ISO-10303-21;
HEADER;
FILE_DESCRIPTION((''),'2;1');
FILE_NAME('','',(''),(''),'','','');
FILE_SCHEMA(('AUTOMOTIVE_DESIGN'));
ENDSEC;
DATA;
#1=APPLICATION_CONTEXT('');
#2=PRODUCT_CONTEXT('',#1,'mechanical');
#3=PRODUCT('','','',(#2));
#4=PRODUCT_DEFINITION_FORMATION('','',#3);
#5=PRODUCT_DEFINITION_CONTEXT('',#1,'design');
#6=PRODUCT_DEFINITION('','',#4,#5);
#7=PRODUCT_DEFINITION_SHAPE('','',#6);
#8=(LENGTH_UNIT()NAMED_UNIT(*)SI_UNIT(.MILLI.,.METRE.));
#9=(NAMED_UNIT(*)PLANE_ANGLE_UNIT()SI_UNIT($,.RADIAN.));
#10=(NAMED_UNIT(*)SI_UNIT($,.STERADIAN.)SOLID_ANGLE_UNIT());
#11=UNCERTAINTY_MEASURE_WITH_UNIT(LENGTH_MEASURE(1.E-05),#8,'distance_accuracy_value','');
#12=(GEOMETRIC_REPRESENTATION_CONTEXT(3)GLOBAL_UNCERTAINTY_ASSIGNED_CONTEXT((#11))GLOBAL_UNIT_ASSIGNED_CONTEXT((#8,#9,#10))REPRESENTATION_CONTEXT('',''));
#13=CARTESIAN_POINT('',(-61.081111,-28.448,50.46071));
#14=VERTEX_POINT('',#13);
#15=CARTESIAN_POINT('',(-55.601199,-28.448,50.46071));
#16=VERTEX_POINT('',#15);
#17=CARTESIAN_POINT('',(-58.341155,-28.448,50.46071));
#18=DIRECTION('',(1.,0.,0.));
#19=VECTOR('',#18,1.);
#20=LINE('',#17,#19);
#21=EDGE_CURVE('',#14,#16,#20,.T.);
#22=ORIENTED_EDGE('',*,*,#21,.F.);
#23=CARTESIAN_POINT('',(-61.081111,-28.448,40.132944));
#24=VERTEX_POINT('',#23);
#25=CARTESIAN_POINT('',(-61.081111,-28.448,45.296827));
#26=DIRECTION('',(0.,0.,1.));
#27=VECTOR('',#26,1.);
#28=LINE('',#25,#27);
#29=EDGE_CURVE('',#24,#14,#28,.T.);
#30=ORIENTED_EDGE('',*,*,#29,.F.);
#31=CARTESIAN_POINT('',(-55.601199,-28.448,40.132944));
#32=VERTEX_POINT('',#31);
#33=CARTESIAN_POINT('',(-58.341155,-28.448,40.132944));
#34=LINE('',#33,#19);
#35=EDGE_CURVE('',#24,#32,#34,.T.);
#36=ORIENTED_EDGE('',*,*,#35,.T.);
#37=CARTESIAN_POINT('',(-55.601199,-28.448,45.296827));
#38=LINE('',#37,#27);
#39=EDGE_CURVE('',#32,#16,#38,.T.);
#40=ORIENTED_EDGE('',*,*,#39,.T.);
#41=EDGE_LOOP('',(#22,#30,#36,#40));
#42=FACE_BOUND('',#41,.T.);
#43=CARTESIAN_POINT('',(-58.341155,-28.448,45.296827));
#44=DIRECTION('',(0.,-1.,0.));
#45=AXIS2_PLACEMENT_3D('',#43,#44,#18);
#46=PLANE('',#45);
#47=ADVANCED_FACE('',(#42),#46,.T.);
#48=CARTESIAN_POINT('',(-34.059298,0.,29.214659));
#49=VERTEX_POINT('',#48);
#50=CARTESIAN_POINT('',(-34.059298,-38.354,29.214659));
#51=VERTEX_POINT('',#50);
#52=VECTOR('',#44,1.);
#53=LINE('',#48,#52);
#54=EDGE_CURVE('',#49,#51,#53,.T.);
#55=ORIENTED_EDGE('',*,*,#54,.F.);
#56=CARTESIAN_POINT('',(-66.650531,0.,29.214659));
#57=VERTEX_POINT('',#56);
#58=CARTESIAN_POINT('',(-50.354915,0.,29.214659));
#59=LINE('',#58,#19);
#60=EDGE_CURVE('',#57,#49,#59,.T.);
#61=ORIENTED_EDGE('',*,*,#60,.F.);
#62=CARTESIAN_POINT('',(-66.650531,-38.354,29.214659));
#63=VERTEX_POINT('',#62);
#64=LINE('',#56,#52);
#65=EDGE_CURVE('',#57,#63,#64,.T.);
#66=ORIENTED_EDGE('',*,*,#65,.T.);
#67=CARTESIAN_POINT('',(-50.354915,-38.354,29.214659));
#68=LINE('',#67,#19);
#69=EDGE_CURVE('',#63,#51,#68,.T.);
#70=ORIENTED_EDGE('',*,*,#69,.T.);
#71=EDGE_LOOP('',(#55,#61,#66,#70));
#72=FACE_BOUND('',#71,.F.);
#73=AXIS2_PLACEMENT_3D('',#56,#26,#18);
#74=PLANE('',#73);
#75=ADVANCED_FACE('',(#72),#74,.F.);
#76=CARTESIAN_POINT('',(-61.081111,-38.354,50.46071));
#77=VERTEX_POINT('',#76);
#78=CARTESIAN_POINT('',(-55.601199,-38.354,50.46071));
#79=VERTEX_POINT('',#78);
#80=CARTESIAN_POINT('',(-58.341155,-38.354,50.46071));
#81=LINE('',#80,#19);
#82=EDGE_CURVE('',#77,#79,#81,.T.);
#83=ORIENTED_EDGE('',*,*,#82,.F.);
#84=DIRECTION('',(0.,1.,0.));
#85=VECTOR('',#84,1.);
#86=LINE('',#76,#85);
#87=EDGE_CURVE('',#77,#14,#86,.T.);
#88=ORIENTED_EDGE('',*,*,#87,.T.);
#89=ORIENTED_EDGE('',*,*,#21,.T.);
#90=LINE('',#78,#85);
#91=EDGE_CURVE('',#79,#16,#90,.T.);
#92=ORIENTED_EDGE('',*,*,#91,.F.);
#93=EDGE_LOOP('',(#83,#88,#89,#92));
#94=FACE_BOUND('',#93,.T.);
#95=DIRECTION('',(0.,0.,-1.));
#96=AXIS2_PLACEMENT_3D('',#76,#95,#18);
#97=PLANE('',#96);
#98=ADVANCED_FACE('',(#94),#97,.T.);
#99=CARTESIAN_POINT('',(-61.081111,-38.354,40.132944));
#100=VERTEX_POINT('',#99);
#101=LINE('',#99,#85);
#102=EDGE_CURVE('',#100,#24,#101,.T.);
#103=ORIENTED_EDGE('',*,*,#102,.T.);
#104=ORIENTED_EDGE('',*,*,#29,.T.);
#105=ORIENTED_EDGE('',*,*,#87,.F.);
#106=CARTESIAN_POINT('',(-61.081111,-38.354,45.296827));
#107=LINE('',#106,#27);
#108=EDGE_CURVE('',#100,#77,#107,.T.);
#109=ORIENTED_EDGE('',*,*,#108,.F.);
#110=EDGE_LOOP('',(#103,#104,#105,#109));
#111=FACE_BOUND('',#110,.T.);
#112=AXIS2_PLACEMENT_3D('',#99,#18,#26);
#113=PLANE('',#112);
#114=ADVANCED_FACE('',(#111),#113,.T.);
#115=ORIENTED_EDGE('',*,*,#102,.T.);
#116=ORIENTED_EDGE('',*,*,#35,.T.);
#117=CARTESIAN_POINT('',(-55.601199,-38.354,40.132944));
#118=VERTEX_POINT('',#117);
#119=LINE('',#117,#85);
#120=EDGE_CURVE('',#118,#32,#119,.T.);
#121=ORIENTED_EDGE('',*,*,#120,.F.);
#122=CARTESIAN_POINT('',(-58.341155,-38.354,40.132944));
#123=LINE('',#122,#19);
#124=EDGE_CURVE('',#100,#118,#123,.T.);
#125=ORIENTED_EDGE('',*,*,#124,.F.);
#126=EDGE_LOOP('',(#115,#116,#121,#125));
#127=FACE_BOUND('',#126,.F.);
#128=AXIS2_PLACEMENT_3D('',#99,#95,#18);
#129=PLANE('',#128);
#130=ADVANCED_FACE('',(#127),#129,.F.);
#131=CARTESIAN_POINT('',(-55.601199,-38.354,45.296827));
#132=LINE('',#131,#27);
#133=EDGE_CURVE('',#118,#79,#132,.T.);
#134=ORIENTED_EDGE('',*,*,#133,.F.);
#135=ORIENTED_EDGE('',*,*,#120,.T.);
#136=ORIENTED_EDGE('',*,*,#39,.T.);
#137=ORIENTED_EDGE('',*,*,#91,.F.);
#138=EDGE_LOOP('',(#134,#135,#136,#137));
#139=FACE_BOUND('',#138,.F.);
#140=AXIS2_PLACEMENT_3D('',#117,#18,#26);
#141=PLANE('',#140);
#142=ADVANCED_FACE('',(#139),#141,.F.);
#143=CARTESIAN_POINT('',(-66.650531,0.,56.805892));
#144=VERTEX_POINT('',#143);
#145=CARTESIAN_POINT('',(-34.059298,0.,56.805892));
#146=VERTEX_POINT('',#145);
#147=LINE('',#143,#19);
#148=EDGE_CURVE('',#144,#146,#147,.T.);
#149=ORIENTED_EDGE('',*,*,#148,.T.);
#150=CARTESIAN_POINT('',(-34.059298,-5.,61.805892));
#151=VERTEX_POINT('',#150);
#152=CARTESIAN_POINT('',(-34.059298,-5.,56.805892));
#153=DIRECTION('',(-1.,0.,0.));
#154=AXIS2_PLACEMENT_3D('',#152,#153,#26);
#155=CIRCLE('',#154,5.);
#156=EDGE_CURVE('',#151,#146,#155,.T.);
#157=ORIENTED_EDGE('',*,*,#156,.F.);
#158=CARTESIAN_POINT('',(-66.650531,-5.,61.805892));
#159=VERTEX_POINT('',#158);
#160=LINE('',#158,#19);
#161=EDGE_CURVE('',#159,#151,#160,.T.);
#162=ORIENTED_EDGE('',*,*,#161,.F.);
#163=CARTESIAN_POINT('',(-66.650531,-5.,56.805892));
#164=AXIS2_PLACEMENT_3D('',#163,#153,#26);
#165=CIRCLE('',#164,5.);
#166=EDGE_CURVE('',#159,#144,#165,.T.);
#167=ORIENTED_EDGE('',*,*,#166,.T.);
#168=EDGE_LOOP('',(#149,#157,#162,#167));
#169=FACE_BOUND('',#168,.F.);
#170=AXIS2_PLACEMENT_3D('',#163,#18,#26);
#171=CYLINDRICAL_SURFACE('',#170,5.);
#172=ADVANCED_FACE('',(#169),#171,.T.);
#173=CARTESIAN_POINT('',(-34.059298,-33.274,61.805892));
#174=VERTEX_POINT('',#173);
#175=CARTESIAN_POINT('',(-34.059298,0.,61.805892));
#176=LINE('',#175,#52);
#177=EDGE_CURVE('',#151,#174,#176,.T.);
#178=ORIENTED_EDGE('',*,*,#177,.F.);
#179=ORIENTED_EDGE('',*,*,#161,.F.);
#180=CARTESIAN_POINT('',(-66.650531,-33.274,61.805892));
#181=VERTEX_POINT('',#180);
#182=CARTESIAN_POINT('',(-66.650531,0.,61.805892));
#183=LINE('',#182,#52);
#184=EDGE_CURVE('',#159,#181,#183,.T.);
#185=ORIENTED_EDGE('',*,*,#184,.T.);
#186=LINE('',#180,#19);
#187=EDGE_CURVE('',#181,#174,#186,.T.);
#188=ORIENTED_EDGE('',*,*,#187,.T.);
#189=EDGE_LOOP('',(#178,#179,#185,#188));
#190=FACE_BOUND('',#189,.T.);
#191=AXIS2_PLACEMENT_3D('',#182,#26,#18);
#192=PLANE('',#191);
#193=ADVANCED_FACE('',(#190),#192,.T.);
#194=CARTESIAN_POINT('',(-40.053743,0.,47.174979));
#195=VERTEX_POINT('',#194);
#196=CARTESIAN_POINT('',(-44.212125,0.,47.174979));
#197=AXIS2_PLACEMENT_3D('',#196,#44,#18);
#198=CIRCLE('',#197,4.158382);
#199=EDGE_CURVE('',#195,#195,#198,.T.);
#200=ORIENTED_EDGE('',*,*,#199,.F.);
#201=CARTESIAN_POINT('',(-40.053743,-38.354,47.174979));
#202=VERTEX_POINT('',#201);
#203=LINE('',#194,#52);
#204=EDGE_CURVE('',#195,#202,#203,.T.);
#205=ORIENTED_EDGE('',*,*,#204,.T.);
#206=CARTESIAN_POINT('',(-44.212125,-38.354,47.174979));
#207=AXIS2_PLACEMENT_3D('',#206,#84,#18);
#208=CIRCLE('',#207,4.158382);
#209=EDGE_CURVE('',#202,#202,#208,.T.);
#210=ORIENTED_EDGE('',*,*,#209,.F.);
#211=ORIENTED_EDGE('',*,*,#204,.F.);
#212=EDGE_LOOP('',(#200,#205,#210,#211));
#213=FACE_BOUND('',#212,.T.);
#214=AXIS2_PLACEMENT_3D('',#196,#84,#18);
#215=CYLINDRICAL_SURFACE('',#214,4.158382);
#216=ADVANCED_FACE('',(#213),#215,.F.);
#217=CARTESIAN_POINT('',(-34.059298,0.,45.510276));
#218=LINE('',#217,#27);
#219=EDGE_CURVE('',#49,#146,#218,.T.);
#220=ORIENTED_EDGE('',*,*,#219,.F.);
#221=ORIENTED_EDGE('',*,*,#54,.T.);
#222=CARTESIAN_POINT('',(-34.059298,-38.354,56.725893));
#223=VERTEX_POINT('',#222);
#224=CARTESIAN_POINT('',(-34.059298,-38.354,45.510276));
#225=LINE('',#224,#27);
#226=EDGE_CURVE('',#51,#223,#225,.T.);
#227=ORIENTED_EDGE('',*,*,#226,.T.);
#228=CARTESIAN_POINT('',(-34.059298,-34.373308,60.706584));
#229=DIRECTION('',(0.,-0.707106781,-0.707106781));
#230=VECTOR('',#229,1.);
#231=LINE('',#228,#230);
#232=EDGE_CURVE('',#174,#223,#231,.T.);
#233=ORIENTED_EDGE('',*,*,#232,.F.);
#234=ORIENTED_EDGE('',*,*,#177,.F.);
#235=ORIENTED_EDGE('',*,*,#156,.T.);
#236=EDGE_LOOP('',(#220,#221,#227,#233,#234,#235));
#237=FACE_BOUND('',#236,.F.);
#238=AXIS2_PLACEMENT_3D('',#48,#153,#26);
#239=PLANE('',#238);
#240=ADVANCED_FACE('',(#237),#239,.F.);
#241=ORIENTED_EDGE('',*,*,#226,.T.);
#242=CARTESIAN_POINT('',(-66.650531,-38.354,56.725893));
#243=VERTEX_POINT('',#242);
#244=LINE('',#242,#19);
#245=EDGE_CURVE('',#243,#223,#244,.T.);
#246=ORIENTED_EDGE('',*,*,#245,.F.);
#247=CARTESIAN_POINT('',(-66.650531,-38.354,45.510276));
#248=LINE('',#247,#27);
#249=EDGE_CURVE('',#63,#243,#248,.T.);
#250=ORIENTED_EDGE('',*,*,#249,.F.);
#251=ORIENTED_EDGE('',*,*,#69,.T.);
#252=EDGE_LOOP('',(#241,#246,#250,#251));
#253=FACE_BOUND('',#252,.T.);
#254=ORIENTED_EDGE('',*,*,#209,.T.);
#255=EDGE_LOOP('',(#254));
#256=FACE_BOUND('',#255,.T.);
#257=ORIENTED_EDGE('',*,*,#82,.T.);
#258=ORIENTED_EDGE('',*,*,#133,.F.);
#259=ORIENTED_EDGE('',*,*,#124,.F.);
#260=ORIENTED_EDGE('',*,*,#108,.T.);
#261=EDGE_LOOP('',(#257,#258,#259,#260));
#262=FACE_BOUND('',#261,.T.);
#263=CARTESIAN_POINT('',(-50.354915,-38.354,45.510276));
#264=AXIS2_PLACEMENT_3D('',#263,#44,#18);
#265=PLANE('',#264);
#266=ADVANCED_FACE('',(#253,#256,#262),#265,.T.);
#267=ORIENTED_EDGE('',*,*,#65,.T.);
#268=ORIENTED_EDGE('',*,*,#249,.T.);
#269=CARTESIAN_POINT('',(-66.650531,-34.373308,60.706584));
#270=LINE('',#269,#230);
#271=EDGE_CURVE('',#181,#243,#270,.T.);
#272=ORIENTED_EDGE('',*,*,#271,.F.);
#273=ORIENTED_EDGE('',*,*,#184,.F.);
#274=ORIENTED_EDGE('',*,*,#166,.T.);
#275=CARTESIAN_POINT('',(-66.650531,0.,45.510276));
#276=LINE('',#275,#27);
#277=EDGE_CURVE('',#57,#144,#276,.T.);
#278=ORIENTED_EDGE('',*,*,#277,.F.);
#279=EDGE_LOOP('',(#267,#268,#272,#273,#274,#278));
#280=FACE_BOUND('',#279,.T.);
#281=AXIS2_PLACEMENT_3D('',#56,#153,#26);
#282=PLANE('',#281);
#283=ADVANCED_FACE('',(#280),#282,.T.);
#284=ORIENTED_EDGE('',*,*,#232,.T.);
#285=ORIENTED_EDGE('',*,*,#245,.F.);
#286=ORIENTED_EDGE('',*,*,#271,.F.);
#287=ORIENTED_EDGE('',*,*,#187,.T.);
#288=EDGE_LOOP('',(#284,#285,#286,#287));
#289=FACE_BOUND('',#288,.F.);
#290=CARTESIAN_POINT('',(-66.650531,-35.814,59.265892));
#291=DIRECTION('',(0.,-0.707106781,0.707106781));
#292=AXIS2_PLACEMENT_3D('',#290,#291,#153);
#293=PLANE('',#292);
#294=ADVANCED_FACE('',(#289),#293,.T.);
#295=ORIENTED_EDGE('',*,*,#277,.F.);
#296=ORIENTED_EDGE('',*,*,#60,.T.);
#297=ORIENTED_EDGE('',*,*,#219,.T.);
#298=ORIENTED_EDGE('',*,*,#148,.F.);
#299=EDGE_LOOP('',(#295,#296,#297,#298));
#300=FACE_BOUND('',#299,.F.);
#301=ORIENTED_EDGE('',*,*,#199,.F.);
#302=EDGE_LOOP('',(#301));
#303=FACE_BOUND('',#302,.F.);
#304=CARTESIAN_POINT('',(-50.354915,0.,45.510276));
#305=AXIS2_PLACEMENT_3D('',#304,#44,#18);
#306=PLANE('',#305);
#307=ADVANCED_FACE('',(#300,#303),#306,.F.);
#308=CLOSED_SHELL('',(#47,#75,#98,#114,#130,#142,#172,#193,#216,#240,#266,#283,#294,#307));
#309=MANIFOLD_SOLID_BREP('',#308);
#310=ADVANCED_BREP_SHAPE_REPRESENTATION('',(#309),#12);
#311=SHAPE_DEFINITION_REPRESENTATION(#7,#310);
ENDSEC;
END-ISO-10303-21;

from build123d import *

# Parameters (mm, degrees)
F0_W     = 32.591233
F0_H     = 32.591233
F1_DEPTH = 38.354
F2_SIZE  = 5.08
F3_R     = 4.158382
F4_DEPTH = 40.132
F5_W     = 5.479913
F5_H     = 10.327767
F6_DEPTH = 9.906
F7_R     = 5


with BuildPart() as f1:
    # F0 (on Front) → F1 (new body)
    with BuildSketch(Plane.XZ):
        with Locations((-50.354915, 45.510276)):
            Rectangle(F0_W, F0_H)
    extrude(amount=F1_DEPTH)

    # F2
    f2_edges = [f1.edges().sort_by_distance(p)[0] for p in [
        (-50.354916, -38.354, 61.805893),
    ]]
    chamfer(f2_edges, length=F2_SIZE)

    # F3 (on face) → F4 (cut)
    with BuildSketch(Plane.XZ):
        with Locations((-44.212125, 47.174979)):
            Circle(F3_R)
    extrude(amount=F4_DEPTH, mode=Mode.SUBTRACT)

    # F5 (on face) → F6 (cut)
    with BuildSketch(Plane.XZ.offset(38.354)):
        with Locations((-58.341155, 45.296827)):
            Rectangle(F5_W, F5_H)
    extrude(amount=-F6_DEPTH, mode=Mode.SUBTRACT)

    # F7
    f7_edges = [f1.edges().sort_by_distance(p)[0] for p in [
        (-50.354916, 0, 61.805893),
    ]]
    fillet(f7_edges, radius=F7_R)


solid = f1.part
